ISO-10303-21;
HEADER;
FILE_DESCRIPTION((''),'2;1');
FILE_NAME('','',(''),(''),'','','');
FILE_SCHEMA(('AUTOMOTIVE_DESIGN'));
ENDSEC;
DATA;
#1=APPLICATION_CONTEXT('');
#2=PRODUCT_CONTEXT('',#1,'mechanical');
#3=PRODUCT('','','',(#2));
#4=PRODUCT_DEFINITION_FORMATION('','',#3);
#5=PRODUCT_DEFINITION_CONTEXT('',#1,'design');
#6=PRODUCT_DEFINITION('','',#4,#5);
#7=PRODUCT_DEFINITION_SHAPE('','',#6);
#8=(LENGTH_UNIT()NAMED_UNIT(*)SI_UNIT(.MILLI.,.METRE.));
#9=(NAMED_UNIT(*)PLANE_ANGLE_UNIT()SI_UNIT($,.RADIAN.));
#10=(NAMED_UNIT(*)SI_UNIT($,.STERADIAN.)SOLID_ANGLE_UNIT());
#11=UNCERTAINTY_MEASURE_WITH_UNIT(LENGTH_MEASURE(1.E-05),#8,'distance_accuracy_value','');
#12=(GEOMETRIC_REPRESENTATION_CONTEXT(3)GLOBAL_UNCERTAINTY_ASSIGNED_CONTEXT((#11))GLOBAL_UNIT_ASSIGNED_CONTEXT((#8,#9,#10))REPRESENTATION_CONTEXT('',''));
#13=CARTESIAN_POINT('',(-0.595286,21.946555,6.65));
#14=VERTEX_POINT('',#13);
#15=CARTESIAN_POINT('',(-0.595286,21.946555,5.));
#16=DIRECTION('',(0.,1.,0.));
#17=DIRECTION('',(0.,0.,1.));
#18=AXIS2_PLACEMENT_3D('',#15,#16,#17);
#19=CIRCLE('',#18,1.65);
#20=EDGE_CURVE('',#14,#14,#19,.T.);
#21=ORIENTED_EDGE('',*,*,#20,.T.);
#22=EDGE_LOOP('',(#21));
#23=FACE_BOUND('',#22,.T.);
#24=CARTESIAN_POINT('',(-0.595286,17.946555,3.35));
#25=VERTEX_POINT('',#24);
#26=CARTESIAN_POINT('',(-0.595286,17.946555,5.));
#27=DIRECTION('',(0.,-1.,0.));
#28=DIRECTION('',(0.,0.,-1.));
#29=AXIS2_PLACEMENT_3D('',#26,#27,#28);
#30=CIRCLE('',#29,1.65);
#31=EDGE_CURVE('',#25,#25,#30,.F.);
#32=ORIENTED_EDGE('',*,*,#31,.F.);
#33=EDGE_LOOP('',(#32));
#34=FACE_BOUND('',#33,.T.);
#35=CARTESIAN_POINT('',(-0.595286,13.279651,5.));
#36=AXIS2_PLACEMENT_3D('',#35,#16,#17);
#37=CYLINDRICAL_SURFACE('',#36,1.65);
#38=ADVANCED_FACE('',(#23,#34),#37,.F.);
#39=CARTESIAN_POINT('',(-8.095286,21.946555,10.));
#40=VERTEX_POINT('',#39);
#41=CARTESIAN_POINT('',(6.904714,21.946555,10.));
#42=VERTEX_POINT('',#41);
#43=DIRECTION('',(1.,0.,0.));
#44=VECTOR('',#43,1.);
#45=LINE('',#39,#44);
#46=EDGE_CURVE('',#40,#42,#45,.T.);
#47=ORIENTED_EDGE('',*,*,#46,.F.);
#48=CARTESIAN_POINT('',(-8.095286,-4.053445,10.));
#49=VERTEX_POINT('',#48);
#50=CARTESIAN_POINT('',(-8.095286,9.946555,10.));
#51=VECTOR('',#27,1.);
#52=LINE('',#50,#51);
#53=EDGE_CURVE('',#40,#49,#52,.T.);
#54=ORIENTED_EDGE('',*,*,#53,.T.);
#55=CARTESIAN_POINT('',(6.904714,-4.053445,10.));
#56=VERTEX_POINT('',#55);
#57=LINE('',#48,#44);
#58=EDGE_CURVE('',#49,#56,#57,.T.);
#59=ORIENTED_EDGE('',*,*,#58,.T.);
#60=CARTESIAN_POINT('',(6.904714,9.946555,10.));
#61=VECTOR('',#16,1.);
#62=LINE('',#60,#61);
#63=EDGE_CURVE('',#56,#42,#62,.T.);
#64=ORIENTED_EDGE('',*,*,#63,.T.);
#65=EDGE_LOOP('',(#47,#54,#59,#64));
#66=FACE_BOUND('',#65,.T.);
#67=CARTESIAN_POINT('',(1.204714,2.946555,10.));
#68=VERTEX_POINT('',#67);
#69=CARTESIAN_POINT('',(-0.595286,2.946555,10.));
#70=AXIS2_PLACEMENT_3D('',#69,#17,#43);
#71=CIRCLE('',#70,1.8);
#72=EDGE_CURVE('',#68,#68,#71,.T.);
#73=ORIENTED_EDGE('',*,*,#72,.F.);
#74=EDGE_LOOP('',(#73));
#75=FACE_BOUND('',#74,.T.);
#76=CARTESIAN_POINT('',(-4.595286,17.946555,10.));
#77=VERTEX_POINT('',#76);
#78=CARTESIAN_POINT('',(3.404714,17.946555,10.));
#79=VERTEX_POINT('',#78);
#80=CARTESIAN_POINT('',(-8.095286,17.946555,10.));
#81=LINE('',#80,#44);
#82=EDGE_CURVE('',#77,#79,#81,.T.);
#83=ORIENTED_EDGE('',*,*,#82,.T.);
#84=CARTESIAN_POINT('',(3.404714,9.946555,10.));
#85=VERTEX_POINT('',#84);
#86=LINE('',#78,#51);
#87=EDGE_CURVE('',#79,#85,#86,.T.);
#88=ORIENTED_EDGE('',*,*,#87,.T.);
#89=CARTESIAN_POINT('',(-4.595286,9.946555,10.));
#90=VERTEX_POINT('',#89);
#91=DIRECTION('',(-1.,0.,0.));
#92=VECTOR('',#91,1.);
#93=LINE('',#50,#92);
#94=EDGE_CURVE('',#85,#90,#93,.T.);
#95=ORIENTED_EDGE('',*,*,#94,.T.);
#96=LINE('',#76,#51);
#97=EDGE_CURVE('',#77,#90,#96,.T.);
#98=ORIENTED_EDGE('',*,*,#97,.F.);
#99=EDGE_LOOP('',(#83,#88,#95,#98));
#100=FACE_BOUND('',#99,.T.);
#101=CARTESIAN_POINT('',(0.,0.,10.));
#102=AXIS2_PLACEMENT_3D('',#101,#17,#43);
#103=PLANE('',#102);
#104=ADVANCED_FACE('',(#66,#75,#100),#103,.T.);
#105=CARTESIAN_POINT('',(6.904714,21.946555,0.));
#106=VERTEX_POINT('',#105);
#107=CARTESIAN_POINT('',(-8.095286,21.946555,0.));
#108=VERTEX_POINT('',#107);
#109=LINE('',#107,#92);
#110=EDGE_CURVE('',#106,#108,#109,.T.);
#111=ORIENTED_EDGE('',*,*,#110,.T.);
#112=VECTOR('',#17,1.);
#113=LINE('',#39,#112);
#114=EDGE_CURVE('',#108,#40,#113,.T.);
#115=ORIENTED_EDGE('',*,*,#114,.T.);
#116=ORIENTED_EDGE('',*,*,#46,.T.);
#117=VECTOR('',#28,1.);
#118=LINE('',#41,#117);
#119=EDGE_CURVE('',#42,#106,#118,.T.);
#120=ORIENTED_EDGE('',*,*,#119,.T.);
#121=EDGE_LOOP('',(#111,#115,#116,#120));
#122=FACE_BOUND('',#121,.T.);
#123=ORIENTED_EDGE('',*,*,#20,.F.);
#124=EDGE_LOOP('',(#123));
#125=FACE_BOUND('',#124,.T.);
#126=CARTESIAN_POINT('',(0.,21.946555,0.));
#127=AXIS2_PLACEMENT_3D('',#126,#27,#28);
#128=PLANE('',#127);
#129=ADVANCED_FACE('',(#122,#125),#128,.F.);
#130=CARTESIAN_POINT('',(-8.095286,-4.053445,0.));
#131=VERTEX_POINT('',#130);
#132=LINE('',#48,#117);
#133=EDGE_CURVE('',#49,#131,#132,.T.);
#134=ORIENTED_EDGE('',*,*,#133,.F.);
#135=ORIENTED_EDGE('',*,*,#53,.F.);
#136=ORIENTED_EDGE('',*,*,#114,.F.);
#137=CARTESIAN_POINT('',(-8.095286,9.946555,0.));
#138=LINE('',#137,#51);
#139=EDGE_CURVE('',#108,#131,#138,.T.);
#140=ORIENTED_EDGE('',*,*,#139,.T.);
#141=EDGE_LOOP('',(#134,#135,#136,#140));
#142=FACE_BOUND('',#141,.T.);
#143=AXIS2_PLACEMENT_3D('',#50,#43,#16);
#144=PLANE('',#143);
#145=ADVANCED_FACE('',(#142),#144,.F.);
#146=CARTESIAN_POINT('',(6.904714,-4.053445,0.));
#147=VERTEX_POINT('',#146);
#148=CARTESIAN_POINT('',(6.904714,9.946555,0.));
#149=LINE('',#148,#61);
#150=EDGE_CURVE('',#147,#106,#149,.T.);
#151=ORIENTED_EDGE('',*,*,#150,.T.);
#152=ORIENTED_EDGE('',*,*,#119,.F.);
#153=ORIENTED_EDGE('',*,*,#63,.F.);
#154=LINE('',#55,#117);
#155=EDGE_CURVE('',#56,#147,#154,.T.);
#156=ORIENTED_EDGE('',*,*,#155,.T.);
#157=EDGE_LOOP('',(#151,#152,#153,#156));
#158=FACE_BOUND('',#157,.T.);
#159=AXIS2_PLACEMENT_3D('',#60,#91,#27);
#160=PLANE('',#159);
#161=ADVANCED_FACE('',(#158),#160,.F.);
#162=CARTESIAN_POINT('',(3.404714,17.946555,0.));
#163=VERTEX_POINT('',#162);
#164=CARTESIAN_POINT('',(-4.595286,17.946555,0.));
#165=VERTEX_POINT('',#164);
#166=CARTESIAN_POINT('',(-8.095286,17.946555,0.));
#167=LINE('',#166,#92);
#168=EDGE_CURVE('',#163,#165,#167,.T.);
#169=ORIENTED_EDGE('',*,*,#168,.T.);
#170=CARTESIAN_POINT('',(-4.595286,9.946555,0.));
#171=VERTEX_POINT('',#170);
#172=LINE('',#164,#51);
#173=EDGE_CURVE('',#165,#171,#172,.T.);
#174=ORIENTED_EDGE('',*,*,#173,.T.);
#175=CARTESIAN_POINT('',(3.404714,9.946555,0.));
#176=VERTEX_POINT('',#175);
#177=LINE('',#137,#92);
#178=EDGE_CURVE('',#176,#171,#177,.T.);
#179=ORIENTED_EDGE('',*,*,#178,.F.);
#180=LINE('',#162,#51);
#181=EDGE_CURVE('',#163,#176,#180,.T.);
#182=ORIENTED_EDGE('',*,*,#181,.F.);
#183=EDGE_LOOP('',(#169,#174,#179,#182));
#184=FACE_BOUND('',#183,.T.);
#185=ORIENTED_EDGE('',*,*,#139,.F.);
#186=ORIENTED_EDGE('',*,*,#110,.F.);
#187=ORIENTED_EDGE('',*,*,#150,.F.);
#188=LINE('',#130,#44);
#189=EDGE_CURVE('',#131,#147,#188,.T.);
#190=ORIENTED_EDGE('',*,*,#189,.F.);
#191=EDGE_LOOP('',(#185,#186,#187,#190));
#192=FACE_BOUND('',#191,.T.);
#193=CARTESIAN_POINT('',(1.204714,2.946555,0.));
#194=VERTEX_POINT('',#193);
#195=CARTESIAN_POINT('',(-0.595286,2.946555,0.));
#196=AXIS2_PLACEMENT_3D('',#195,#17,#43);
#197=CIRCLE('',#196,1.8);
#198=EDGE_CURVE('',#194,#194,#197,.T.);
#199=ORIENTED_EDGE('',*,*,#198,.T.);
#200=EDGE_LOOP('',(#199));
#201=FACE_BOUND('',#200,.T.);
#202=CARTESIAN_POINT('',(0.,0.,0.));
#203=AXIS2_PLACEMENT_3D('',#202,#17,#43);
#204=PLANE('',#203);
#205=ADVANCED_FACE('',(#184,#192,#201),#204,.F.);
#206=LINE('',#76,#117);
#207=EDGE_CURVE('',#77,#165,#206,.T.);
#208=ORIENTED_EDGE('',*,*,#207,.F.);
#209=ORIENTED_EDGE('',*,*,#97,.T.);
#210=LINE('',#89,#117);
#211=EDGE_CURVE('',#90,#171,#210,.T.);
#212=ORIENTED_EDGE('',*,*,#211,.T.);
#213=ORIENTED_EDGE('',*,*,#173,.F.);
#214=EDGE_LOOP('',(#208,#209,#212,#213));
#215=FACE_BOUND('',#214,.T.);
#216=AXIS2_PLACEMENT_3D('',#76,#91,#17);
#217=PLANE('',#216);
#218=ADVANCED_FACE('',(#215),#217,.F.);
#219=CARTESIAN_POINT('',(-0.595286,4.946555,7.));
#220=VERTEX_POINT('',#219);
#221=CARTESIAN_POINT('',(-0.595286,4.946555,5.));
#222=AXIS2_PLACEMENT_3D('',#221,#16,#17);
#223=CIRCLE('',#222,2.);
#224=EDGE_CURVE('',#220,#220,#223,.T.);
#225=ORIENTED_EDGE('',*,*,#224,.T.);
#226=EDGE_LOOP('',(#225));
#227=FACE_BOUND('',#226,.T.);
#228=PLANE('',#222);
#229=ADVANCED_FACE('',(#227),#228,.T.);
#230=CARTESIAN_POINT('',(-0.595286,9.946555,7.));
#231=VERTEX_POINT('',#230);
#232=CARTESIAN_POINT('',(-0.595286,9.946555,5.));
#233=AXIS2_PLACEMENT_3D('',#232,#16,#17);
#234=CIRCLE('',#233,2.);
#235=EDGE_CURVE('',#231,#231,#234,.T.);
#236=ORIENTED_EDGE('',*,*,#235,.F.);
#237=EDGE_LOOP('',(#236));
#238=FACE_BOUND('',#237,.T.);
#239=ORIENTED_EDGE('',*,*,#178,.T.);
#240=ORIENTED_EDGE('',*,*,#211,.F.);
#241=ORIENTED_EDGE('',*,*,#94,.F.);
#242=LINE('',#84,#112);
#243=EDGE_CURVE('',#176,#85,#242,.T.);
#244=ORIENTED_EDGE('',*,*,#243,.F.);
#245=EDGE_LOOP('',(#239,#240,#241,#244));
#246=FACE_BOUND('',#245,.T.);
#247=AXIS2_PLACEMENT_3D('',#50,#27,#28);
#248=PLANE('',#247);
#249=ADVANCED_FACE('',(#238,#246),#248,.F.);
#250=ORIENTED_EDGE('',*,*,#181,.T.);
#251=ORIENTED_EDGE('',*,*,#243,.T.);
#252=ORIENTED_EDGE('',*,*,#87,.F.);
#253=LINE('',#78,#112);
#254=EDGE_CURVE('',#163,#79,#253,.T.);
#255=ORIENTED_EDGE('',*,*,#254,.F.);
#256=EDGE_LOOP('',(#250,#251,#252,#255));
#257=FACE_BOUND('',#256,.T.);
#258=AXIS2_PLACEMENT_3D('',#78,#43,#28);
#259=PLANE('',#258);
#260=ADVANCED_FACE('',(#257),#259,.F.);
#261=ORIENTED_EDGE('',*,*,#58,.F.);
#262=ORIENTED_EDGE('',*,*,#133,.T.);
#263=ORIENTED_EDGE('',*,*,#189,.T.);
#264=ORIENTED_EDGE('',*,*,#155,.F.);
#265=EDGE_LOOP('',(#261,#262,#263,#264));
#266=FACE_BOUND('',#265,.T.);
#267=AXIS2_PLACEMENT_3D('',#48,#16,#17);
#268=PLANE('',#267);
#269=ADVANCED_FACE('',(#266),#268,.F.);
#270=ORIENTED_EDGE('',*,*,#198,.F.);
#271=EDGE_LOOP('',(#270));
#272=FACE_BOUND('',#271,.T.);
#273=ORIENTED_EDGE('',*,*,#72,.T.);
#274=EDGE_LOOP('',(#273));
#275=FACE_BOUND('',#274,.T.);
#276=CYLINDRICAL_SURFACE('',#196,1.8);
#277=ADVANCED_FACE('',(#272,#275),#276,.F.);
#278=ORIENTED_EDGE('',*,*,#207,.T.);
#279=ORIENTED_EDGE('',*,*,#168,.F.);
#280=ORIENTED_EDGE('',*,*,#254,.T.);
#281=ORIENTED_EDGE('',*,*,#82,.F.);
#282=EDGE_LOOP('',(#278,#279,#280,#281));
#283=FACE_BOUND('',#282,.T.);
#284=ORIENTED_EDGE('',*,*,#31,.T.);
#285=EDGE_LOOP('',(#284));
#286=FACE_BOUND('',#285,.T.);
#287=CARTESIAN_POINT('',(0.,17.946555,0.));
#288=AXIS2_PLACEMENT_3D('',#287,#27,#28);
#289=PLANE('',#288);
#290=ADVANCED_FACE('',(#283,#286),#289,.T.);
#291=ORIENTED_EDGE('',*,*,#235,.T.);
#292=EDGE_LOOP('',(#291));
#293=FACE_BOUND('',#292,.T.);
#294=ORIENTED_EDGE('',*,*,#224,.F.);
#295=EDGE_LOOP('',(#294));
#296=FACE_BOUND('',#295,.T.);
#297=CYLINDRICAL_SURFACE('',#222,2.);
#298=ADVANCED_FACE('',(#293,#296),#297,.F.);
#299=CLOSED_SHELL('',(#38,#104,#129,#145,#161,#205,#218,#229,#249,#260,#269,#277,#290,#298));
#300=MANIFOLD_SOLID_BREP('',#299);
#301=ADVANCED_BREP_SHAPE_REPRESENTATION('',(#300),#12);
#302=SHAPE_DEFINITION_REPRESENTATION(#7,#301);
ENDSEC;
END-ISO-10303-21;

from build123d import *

# Parameters (mm, degrees)
SKETCH1_W           = 15
SKETCH1_H           = 14
BOSS_EXTRUDE1_DEPTH = 10
SKETCH2_R           = 1.8
CUT_EXTRUDE1_DEPTH  = 17.26246018
SKETCH3_R           = 2
CUT_EXTRUDE2_DEPTH  = 5
SKETCH4_W           = 3.5
SKETCH4_H           = 10
BOSS_EXTRUDE2_DEPTH = 8
SKETCH5_W           = 15
SKETCH5_H           = 10
BOSS_EXTRUDE3_DEPTH = 4
SKETCH6_R           = 1.65
CUT_EXTRUDE3_DEPTH  = 4


with BuildPart() as part:
    # Sketch1 → Boss-Extrude1 (new body)
    with BuildSketch(Plane.XY):
        with Locations((-0.595285601, 2.94655529)):
            Rectangle(SKETCH1_W, SKETCH1_H)
    extrude(amount=BOSS_EXTRUDE1_DEPTH)

    # Sketch2 → Cut-Extrude1 (cut, through all)
    with BuildSketch(Plane.XY.offset(10)):
        with Locations((-0.595285601, 2.94655529)):
            Circle(SKETCH2_R)
    extrude(amount=-CUT_EXTRUDE1_DEPTH, mode=Mode.SUBTRACT)

    # Sketch3 → Cut-Extrude2 (cut)
    with BuildSketch(Plane(origin=(0, 9.94655529, 0), x_dir=(1, 0, 0), z_dir=(0, 1, 0))):
        with Locations(Location((-0.595285601, -5, 0), (0, 0, 270))):
            Circle(SKETCH3_R)
    extrude(amount=-CUT_EXTRUDE2_DEPTH, mode=Mode.SUBTRACT)

    # Sketch4 → Boss-Extrude2 (add)
    with BuildSketch(Plane(origin=(0, 9.94655529, 0), x_dir=(1, 0, 0), z_dir=(0, 1, 0))):
        with Locations((-6.345285601, -5)):
            Rectangle(SKETCH4_W, SKETCH4_H)
        with Locations((5.154714399, -5)):
            Rectangle(SKETCH4_W, SKETCH4_H)
    extrude(amount=BOSS_EXTRUDE2_DEPTH)

    # Sketch5 → Boss-Extrude3 (add)
    with BuildSketch(Plane(origin=(0, 17.94655529, 0), x_dir=(1, 0, 0), z_dir=(0, 1, 0))):
        with Locations((-0.595285601, -5)):
            Rectangle(SKETCH5_W, SKETCH5_H)
    extrude(amount=BOSS_EXTRUDE3_DEPTH)

    # Sketch6 → Cut-Extrude3 (cut)
    with BuildSketch(Plane(origin=(0, 21.94655529, 0), x_dir=(1, 0, 0), z_dir=(0, 1, 0))):
        with Locations(Location((-0.595285601, -5, 0), (0, 0, 270))):
            Circle(SKETCH6_R)
    extrude(amount=-CUT_EXTRUDE3_DEPTH, mode=Mode.SUBTRACT)


solid = part.part
